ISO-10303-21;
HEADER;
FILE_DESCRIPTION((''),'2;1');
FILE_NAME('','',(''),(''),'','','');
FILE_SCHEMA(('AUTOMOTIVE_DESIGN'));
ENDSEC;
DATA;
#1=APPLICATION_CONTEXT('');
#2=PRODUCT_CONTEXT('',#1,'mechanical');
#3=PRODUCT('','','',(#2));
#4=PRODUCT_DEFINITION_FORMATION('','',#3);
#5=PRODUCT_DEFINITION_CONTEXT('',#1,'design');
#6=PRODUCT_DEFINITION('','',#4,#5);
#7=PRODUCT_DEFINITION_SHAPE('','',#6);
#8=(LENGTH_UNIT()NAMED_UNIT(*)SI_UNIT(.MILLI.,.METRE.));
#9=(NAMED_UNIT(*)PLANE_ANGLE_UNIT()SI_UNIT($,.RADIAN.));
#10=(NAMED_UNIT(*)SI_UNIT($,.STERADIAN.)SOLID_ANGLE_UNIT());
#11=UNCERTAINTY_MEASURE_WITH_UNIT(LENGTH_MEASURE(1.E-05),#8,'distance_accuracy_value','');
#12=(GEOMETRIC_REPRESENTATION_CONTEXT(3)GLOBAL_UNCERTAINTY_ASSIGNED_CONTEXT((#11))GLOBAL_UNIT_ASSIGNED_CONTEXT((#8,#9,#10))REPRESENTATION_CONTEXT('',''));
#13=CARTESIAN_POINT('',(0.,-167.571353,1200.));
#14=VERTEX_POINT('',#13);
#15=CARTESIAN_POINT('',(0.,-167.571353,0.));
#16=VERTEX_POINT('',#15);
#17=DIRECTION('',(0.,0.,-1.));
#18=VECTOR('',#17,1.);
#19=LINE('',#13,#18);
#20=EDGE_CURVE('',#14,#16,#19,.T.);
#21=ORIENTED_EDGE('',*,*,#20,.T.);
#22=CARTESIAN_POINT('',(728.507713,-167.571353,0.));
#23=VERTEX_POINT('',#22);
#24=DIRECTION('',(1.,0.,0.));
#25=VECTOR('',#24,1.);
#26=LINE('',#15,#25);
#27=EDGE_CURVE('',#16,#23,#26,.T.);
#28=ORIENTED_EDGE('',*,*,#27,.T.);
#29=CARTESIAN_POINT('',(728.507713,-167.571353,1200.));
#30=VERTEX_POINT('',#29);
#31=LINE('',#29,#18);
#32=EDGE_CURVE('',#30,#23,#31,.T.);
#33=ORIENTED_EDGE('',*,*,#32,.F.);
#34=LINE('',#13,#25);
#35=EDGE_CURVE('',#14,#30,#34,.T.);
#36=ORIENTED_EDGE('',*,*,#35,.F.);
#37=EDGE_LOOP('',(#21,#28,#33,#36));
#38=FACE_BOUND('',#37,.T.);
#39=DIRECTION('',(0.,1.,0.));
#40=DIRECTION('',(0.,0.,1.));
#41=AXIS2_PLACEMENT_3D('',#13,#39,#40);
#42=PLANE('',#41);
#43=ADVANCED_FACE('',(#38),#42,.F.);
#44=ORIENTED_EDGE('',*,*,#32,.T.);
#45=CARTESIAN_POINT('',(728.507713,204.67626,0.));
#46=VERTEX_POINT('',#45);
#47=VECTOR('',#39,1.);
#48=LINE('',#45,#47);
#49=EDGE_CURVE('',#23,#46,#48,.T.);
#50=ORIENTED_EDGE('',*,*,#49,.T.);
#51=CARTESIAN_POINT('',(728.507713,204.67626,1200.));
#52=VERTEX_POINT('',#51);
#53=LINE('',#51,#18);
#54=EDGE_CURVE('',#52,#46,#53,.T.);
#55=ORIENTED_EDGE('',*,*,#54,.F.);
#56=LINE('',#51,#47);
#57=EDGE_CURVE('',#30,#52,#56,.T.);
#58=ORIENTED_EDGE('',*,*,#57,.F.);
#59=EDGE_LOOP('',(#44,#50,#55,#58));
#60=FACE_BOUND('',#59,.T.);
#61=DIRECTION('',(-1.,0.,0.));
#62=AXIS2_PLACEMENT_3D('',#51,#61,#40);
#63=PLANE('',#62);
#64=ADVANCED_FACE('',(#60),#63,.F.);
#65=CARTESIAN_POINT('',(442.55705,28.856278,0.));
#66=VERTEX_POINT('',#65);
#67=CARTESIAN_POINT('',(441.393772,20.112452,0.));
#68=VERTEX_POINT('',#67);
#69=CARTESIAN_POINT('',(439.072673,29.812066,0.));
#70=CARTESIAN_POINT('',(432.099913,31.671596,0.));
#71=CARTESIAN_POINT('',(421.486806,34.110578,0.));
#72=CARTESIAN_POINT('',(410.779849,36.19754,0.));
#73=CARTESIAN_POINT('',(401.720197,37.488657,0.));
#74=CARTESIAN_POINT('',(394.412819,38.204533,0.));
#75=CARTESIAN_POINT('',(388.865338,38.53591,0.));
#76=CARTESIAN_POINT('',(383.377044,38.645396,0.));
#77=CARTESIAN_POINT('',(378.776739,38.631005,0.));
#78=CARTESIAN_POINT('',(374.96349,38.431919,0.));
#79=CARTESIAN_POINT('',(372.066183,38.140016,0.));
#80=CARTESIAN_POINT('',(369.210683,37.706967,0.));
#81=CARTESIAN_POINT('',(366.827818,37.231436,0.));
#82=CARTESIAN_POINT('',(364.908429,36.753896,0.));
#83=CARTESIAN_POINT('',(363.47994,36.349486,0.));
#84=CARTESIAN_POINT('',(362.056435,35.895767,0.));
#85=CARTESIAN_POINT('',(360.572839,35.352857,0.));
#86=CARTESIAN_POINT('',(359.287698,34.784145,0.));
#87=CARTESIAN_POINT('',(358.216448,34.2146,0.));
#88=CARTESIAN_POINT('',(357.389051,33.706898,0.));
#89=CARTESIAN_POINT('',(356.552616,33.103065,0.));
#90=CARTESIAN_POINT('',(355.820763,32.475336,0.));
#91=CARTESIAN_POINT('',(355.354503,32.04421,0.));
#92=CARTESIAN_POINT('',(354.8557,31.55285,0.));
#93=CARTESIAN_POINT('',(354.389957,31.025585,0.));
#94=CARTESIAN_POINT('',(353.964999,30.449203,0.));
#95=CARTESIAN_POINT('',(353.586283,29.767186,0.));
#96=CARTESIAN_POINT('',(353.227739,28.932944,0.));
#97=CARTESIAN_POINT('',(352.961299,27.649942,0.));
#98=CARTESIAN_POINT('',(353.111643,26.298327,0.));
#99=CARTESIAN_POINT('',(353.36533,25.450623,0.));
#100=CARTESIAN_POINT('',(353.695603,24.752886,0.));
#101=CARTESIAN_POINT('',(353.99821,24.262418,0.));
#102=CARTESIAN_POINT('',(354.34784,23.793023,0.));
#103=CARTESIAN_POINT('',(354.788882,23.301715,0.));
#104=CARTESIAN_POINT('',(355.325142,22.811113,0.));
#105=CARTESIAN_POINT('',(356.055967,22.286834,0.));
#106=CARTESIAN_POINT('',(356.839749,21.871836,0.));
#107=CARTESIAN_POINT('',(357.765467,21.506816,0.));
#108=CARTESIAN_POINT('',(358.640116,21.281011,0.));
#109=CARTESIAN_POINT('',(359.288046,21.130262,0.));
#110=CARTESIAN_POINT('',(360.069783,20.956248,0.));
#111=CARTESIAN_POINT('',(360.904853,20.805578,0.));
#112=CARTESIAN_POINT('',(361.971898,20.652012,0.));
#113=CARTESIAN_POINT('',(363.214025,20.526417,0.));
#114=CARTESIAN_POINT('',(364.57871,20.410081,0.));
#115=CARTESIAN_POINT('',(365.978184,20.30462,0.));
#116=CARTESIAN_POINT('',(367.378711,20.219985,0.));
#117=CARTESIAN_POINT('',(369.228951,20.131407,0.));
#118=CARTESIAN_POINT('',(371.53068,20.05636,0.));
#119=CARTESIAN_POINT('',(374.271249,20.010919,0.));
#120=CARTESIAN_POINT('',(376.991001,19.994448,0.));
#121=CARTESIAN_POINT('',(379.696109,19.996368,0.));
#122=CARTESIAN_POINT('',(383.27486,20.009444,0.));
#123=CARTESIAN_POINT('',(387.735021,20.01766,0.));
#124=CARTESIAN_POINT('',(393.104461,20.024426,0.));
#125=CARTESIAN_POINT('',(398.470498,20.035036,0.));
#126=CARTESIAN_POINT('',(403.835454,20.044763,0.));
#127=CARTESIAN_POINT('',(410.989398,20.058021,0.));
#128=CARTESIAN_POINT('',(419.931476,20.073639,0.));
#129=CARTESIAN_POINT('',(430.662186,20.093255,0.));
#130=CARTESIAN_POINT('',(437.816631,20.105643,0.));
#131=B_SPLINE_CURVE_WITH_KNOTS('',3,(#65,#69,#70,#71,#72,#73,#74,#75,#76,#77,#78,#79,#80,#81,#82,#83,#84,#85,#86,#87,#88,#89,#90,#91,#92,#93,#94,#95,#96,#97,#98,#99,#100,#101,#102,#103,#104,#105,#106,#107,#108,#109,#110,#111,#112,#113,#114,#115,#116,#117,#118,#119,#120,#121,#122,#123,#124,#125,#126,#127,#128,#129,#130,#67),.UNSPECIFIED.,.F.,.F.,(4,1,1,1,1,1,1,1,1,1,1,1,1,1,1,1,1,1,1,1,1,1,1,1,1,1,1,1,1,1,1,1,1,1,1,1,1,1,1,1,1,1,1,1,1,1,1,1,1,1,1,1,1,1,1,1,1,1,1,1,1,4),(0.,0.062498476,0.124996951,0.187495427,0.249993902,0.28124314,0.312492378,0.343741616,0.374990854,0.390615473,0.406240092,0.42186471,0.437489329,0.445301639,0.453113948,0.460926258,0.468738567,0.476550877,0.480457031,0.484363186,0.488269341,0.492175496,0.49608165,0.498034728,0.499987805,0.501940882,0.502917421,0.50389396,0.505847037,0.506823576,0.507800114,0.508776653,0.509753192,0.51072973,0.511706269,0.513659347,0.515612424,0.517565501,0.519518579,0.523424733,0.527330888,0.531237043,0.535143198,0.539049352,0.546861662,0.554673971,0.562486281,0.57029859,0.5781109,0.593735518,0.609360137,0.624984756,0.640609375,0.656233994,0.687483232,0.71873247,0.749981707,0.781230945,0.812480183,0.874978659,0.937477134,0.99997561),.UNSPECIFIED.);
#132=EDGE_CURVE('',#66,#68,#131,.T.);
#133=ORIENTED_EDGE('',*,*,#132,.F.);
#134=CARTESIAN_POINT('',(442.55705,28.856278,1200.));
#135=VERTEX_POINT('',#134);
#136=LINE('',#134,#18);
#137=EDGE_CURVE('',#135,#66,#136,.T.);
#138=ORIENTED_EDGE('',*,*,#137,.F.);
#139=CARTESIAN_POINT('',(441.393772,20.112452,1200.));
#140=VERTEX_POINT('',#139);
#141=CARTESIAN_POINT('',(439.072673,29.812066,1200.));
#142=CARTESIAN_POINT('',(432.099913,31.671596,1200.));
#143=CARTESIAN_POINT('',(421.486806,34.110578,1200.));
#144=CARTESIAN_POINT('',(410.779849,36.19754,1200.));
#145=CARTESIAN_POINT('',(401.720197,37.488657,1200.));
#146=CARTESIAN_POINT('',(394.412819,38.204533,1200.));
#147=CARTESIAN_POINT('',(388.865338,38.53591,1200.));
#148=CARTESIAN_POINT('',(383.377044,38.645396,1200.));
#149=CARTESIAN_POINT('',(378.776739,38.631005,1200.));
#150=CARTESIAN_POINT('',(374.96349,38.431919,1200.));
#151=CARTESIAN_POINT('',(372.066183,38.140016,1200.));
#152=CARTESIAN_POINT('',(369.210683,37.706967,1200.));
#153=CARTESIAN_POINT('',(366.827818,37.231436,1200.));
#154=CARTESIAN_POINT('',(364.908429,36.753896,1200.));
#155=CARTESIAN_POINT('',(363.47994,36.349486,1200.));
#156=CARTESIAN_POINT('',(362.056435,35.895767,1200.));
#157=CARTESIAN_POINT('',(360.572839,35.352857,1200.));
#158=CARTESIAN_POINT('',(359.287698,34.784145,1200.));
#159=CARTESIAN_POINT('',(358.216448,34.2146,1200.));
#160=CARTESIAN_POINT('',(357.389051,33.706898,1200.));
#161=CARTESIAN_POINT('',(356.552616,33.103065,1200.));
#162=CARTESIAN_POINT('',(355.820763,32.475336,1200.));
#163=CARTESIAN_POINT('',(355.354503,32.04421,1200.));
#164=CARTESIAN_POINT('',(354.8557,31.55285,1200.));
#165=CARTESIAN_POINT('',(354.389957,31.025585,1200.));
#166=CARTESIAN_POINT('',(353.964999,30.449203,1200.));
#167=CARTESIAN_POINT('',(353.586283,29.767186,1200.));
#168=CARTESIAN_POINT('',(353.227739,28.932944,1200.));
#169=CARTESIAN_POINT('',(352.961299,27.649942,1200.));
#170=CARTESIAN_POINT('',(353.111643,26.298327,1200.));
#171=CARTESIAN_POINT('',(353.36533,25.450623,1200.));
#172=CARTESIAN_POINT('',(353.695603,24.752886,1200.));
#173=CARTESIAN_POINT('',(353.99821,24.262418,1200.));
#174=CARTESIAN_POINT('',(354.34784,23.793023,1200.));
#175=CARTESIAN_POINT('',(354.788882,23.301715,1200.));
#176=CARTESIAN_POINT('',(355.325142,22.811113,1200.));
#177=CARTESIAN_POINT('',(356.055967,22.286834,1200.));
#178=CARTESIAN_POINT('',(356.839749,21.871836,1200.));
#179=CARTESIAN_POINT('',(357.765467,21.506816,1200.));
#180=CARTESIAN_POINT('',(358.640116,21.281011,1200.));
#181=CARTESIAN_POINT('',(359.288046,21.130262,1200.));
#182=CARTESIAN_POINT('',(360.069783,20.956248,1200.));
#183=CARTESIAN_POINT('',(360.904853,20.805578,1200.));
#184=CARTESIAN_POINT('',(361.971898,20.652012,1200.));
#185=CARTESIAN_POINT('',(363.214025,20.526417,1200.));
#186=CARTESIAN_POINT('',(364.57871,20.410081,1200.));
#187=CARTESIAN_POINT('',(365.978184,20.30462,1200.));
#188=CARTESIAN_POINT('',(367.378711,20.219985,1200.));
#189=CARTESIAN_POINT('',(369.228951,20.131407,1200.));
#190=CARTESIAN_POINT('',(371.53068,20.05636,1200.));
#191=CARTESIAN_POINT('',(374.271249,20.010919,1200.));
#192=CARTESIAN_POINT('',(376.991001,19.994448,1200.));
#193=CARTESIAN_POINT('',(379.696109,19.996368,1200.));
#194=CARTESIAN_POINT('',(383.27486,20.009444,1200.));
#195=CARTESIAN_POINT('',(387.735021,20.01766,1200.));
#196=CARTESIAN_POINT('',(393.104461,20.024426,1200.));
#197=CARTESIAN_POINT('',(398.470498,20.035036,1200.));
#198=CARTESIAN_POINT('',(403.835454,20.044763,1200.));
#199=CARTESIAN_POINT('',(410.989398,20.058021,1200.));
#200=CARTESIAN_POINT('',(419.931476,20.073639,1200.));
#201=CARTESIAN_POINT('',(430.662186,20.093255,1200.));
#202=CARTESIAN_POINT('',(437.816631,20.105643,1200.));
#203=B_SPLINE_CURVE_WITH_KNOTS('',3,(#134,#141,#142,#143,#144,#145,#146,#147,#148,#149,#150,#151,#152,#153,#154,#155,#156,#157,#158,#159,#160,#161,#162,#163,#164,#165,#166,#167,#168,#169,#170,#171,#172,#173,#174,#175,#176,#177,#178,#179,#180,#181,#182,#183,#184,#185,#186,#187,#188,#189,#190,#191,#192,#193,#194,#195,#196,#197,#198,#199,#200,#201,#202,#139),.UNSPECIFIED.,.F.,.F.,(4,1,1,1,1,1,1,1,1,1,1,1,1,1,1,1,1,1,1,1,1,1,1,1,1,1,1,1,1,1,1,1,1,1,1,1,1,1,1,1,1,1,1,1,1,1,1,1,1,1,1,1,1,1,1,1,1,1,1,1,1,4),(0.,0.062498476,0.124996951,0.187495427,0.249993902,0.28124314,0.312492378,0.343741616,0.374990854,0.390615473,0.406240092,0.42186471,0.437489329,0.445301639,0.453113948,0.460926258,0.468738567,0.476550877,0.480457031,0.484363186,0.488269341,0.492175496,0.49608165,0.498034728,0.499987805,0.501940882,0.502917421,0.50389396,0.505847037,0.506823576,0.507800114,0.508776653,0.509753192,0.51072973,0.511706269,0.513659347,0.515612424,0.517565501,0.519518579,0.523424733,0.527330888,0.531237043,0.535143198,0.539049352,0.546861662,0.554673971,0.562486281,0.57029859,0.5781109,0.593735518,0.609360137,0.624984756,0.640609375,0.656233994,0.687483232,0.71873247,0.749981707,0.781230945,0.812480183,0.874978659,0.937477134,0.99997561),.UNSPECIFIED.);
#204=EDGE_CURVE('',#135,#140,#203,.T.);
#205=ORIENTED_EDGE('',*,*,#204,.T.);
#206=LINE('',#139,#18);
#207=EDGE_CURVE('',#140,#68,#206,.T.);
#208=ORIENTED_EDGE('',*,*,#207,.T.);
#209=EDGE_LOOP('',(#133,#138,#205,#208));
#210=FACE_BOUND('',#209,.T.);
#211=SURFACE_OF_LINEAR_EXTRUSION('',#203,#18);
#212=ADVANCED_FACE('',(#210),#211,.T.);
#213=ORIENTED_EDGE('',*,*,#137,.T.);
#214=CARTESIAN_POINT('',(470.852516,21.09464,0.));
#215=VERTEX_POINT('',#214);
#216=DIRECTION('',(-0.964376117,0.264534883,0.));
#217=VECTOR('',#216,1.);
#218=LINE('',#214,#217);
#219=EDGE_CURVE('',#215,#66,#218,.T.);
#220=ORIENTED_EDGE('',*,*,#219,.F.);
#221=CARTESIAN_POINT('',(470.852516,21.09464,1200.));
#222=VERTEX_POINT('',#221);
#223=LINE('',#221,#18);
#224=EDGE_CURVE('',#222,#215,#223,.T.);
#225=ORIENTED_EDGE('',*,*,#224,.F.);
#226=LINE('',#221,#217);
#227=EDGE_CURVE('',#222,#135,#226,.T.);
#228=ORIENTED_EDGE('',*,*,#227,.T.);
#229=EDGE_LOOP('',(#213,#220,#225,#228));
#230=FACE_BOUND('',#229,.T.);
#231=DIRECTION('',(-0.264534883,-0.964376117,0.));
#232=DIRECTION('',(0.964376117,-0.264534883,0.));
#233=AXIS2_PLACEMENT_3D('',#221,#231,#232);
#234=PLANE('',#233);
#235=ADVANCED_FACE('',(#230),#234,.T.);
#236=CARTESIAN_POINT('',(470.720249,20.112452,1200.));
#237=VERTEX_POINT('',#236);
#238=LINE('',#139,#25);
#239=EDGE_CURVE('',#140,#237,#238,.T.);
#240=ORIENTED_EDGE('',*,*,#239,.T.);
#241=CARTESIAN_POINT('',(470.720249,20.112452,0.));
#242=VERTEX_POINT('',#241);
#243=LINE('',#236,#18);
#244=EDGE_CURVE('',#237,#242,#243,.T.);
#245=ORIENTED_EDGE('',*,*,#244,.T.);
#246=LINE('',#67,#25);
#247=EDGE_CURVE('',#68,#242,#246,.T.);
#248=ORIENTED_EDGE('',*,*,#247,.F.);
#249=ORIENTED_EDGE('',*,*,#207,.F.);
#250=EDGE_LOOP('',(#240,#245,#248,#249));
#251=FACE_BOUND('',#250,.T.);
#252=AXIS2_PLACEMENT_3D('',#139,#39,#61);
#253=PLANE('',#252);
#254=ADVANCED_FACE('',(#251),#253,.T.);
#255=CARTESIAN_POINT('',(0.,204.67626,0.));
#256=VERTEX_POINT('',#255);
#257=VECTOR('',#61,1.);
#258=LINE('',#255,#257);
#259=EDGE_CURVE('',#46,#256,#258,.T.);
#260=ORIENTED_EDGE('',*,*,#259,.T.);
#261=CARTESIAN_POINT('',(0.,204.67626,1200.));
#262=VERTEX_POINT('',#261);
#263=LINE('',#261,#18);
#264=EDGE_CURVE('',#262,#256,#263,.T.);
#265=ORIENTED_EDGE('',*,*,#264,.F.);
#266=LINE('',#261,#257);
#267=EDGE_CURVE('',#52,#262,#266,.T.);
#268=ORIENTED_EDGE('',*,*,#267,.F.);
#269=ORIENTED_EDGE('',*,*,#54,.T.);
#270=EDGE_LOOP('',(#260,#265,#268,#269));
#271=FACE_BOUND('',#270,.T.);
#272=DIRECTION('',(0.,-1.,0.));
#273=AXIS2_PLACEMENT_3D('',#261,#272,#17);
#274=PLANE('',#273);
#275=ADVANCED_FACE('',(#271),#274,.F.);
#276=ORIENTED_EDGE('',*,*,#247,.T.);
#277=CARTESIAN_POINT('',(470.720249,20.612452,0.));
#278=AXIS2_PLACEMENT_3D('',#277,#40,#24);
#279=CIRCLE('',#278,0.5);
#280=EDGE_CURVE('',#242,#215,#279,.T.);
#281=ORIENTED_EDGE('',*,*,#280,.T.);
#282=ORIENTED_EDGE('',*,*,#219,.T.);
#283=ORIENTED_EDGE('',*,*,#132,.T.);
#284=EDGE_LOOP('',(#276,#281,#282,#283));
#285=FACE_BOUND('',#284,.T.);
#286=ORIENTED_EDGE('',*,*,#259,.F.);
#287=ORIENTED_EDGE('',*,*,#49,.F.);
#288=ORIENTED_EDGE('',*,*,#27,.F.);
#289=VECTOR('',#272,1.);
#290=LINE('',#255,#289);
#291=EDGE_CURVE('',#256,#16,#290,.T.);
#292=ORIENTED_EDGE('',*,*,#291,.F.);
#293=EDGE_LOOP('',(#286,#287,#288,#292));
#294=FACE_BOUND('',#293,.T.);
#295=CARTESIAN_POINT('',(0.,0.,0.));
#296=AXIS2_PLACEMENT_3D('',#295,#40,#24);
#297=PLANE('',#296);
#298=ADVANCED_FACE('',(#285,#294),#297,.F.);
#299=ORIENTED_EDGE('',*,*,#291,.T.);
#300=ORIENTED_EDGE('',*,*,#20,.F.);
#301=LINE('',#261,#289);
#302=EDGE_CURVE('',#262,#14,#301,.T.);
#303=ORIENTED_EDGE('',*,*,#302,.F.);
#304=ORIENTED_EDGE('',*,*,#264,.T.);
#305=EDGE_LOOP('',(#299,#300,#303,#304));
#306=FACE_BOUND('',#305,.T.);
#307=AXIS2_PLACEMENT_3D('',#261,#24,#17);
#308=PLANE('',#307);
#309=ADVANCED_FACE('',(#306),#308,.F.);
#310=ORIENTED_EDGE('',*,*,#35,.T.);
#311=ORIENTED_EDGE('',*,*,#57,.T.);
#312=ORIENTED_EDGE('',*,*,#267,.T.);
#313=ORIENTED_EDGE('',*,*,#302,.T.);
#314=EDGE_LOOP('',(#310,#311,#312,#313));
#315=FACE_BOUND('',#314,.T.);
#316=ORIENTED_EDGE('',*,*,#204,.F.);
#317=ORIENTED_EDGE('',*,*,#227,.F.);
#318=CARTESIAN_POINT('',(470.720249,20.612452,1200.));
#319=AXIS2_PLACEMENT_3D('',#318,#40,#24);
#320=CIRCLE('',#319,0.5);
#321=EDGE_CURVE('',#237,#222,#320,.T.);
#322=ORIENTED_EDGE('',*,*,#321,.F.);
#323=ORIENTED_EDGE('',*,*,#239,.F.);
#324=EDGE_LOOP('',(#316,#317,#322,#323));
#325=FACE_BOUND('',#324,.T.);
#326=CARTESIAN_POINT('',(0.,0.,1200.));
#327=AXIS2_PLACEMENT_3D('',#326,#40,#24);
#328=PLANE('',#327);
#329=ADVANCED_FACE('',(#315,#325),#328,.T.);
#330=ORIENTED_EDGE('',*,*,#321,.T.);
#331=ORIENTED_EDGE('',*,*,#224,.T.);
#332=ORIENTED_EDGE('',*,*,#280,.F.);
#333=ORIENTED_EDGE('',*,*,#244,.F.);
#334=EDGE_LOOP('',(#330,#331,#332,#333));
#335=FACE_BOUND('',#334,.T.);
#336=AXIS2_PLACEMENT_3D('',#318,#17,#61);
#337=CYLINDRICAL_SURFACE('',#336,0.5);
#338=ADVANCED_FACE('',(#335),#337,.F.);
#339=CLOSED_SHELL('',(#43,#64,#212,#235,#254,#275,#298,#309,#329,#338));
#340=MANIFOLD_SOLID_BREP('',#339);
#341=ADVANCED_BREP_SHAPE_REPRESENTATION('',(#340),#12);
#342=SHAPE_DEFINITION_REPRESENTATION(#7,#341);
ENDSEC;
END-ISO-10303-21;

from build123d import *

# Parameters (mm, degrees)
SKETCH1_W           = 728.507712526
SKETCH1_H           = 372.247612808
BOSS_EXTRUDE1_DEPTH = 1200


with BuildPart() as part:
    # Sketch1 → Boss-Extrude1 (new body)
    with BuildSketch(Plane.XY):
        with Locations((364.253856263, 18.552453849)):
            Rectangle(SKETCH1_W, SKETCH1_H)
        with BuildLine():
            Line((441.393772372, 20.11245238), (470.720248748, 20.11245238))
            ThreePointArc((470.720248748, 20.11245238), (471.215775755, 20.545721687), (470.85251619, 21.094640438))
            Line((470.85251619, 21.094640438), (442.557049848, 28.856277993))
            add(Edge.make_bspline(
                [(441.393772372, 20.11245238), (437.816630749, 20.105643074), (430.662185952, 20.093254902), (419.931476298, 20.073638873), (410.989397892, 20.05802128), (403.835453794, 20.044763259), (398.470497743, 20.035035638), (393.10446141, 20.024425958), (387.735021397, 20.017659911), (383.274859524, 20.009444007), (379.696108674, 19.996368347), (376.991001378, 19.994447782), (374.271249485, 20.010918971), (371.530679735, 20.056360098), (369.228950932, 20.131407076), (367.378711377, 20.219984968), (365.978183778, 20.304620288), (364.578709921, 20.410081097), (363.214024728, 20.526416591), (361.971898146, 20.65201194), (360.904853145, 20.805577699), (360.069783324, 20.956248021), (359.288045988, 21.130261844), (358.640116289, 21.281010932), (357.765467063, 21.506816056), (356.839748986, 21.871835881), (356.055967315, 22.286834279), (355.325142217, 22.811112843), (354.788881726, 23.301715107), (354.347839516, 23.793022868), (353.998210399, 24.262418144), (353.695602528, 24.752886461), (353.365330175, 25.450623284), (353.111643283, 26.298326889), (352.961298812, 27.649941627), (353.227738955, 28.932944297), (353.586282933, 29.767186255), (353.964999314, 30.449203447), (354.389957132, 31.025585157), (354.855699671, 31.552849553), (355.354503463, 32.044209503), (355.820762746, 32.475335753), (356.552615658, 33.103064875), (357.389050585, 33.706898074), (358.216447641, 34.21460014), (359.287698264, 34.784145271), (360.572839349, 35.352857227), (362.056434922, 35.895767331), (363.479940401, 36.349485655), (364.908429326, 36.753895892), (366.827818433, 37.231436262), (369.210683302, 37.706967221), (372.066182641, 38.140016342), (374.963490259, 38.431919098), (378.7767391, 38.631004567), (383.377043684, 38.645396216), (388.865337546, 38.535909849), (394.412818539, 38.20453267), (401.720197274, 37.488657384), (410.779849111, 36.19753981), (421.486806006, 34.110578028), (432.09991262, 31.671596216), (439.072672673, 29.812066189), (442.557049848, 28.856277993)],
                knots=[0, 0, 0, 0, 0.062498476, 0.124996951, 0.187495427, 0.218744665, 0.249993902, 0.28124314, 0.312492378, 0.343741616, 0.359366235, 0.374990854, 0.390615473, 0.406240092, 0.42186471, 0.42967702, 0.437489329, 0.445301639, 0.453113948, 0.460926258, 0.464832412, 0.468738567, 0.472644722, 0.476550877, 0.480457031, 0.482410109, 0.484363186, 0.486316263, 0.488269341, 0.48924588, 0.490222418, 0.491198957, 0.492175496, 0.493152034, 0.494128573, 0.49608165, 0.497058189, 0.498034728, 0.499987805, 0.501940882, 0.50389396, 0.507800114, 0.511706269, 0.515612424, 0.519518579, 0.523424733, 0.531237043, 0.539049352, 0.546861662, 0.554673971, 0.562486281, 0.5781109, 0.593735518, 0.609360137, 0.624984756, 0.656233994, 0.687483232, 0.71873247, 0.749981707, 0.812480183, 0.874978659, 0.937477134, 0.99997561, 0.99997561, 0.99997561, 0.99997561], degree=3))
        make_face(mode=Mode.SUBTRACT)
    extrude(amount=BOSS_EXTRUDE1_DEPTH)


solid = part.part
